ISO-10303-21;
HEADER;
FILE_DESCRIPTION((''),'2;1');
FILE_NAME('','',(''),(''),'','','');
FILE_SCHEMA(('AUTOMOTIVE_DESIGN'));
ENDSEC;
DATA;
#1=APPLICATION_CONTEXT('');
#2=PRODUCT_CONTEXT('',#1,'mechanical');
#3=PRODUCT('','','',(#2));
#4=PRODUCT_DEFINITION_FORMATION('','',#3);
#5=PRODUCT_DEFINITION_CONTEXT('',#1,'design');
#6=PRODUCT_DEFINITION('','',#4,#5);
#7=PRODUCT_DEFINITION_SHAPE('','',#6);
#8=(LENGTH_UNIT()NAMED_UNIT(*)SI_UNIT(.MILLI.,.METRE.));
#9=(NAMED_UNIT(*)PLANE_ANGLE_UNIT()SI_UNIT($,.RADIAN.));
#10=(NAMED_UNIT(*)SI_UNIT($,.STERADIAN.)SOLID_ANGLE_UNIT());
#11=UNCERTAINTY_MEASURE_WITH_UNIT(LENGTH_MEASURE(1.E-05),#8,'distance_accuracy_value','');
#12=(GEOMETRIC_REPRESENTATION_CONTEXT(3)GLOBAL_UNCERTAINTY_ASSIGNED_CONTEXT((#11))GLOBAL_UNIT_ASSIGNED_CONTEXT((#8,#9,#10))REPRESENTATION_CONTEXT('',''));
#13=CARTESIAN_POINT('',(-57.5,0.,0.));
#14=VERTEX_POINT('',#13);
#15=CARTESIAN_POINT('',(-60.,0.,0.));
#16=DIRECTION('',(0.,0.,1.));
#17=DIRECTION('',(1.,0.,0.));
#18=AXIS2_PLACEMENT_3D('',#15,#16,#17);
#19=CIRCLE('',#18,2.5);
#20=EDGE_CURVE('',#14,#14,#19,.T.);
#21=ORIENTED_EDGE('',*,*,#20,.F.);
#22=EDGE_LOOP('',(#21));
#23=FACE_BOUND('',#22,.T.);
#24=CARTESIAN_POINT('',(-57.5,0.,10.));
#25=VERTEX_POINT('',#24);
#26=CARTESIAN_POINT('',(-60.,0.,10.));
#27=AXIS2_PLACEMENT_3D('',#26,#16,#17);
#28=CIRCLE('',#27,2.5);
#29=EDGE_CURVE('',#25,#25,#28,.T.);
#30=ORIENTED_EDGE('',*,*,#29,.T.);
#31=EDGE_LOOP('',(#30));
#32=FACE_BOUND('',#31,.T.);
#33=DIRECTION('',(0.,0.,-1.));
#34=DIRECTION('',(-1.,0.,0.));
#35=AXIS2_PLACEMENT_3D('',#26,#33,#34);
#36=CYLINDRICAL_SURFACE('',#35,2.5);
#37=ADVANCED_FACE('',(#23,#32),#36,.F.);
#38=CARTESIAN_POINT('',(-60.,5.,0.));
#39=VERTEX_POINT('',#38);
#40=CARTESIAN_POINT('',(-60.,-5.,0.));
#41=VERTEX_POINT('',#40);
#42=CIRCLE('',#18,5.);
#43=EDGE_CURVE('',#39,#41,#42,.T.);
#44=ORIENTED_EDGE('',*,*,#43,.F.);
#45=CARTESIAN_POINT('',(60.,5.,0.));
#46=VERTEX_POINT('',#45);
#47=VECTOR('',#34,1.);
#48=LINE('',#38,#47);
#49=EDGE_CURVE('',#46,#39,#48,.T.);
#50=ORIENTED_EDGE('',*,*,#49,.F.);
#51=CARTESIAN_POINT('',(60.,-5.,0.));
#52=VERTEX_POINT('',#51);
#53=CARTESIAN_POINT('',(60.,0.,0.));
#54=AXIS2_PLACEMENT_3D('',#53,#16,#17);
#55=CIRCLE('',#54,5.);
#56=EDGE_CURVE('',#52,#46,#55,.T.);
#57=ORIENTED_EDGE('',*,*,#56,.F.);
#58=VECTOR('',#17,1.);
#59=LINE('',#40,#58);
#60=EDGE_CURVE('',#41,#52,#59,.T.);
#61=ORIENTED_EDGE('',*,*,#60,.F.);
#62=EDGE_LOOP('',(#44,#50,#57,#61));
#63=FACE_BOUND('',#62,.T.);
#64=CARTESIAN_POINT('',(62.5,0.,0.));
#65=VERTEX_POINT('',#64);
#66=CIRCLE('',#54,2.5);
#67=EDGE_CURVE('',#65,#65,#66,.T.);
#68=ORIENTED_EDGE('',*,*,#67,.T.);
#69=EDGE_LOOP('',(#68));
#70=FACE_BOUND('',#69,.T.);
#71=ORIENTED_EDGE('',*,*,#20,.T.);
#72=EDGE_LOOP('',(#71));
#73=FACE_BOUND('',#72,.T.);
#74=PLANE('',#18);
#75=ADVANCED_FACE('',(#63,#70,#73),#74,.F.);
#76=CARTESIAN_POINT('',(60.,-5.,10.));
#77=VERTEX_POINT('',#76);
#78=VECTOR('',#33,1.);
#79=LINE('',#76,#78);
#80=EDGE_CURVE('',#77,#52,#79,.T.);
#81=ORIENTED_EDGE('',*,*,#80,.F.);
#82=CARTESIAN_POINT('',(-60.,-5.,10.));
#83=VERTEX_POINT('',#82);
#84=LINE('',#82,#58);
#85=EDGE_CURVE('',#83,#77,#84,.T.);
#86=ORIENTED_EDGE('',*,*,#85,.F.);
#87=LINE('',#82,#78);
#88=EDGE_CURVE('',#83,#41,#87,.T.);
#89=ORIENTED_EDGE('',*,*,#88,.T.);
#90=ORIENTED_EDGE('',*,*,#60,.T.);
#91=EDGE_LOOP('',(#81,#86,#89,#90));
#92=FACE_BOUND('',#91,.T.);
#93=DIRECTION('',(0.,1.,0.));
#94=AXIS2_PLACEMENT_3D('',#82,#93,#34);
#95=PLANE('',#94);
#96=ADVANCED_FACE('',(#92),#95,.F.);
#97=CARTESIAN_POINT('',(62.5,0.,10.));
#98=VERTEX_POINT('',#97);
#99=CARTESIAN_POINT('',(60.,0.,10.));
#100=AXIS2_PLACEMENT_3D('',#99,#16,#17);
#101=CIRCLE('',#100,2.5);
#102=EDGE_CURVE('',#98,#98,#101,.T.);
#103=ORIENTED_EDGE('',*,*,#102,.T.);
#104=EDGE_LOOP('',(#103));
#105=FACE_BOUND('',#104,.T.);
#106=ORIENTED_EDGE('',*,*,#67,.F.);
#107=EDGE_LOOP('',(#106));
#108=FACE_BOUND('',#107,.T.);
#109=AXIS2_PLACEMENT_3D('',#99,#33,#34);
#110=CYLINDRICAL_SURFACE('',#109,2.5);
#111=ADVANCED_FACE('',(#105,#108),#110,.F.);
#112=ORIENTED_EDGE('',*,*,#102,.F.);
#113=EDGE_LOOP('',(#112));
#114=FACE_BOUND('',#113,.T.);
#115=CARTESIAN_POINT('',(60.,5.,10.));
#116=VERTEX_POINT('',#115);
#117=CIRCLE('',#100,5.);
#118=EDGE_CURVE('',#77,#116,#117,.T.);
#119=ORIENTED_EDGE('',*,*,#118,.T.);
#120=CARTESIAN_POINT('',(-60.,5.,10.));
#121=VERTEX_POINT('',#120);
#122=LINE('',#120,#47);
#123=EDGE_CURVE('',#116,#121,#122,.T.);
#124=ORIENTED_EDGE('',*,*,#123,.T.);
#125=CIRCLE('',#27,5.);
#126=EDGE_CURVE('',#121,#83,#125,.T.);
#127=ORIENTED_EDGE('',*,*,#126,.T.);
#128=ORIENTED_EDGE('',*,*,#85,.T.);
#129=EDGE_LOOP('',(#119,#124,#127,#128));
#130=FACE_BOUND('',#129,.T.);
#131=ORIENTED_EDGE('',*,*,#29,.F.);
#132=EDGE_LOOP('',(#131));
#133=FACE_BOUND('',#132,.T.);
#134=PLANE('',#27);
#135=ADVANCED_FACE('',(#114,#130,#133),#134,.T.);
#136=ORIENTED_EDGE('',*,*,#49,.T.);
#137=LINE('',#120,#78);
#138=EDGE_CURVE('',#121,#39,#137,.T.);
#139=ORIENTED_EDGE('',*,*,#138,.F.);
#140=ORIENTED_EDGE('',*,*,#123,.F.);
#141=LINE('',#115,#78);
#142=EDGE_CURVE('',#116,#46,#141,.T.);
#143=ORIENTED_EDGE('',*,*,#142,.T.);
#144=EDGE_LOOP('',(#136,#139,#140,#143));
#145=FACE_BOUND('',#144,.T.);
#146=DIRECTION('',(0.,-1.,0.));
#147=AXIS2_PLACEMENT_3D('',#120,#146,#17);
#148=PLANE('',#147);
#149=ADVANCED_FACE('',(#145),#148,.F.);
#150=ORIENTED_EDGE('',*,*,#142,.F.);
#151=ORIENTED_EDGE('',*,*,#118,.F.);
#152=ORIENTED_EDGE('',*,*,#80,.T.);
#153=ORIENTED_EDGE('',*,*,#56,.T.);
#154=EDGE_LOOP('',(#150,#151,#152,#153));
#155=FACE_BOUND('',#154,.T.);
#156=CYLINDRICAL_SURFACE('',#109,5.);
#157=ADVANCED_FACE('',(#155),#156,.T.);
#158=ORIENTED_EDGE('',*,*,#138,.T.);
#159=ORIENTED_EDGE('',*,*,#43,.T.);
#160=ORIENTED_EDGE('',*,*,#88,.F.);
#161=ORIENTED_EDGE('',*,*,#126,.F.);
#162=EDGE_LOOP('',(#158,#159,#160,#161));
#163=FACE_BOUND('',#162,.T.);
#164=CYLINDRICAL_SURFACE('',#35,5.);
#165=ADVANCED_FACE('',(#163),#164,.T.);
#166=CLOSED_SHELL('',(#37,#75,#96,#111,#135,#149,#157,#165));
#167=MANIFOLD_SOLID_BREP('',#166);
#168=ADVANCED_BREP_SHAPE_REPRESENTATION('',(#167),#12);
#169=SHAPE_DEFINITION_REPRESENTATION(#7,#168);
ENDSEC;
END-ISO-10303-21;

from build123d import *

# Parameters (mm, degrees)
SKETCH1_R           = 2.5
BOSS_EXTRUDE1_DEPTH = 10


with BuildPart() as part:
    # Sketch1 → Boss-Extrude1 (new body)
    with BuildSketch(Plane.XY):
        with BuildLine():
            Line((-60, 5), (60, 5))
            ThreePointArc((60, 5), (65, 0), (60, -5))
            Line((60, -5), (-60, -5))
            ThreePointArc((-60, -5), (-65, 0), (-60, 5))
        make_face()
        with Locations((-60, 0)):
            Circle(SKETCH1_R, mode=Mode.SUBTRACT)
        with Locations((60, 0)):
            Circle(SKETCH1_R, mode=Mode.SUBTRACT)
    extrude(amount=BOSS_EXTRUDE1_DEPTH)


solid = part.part
